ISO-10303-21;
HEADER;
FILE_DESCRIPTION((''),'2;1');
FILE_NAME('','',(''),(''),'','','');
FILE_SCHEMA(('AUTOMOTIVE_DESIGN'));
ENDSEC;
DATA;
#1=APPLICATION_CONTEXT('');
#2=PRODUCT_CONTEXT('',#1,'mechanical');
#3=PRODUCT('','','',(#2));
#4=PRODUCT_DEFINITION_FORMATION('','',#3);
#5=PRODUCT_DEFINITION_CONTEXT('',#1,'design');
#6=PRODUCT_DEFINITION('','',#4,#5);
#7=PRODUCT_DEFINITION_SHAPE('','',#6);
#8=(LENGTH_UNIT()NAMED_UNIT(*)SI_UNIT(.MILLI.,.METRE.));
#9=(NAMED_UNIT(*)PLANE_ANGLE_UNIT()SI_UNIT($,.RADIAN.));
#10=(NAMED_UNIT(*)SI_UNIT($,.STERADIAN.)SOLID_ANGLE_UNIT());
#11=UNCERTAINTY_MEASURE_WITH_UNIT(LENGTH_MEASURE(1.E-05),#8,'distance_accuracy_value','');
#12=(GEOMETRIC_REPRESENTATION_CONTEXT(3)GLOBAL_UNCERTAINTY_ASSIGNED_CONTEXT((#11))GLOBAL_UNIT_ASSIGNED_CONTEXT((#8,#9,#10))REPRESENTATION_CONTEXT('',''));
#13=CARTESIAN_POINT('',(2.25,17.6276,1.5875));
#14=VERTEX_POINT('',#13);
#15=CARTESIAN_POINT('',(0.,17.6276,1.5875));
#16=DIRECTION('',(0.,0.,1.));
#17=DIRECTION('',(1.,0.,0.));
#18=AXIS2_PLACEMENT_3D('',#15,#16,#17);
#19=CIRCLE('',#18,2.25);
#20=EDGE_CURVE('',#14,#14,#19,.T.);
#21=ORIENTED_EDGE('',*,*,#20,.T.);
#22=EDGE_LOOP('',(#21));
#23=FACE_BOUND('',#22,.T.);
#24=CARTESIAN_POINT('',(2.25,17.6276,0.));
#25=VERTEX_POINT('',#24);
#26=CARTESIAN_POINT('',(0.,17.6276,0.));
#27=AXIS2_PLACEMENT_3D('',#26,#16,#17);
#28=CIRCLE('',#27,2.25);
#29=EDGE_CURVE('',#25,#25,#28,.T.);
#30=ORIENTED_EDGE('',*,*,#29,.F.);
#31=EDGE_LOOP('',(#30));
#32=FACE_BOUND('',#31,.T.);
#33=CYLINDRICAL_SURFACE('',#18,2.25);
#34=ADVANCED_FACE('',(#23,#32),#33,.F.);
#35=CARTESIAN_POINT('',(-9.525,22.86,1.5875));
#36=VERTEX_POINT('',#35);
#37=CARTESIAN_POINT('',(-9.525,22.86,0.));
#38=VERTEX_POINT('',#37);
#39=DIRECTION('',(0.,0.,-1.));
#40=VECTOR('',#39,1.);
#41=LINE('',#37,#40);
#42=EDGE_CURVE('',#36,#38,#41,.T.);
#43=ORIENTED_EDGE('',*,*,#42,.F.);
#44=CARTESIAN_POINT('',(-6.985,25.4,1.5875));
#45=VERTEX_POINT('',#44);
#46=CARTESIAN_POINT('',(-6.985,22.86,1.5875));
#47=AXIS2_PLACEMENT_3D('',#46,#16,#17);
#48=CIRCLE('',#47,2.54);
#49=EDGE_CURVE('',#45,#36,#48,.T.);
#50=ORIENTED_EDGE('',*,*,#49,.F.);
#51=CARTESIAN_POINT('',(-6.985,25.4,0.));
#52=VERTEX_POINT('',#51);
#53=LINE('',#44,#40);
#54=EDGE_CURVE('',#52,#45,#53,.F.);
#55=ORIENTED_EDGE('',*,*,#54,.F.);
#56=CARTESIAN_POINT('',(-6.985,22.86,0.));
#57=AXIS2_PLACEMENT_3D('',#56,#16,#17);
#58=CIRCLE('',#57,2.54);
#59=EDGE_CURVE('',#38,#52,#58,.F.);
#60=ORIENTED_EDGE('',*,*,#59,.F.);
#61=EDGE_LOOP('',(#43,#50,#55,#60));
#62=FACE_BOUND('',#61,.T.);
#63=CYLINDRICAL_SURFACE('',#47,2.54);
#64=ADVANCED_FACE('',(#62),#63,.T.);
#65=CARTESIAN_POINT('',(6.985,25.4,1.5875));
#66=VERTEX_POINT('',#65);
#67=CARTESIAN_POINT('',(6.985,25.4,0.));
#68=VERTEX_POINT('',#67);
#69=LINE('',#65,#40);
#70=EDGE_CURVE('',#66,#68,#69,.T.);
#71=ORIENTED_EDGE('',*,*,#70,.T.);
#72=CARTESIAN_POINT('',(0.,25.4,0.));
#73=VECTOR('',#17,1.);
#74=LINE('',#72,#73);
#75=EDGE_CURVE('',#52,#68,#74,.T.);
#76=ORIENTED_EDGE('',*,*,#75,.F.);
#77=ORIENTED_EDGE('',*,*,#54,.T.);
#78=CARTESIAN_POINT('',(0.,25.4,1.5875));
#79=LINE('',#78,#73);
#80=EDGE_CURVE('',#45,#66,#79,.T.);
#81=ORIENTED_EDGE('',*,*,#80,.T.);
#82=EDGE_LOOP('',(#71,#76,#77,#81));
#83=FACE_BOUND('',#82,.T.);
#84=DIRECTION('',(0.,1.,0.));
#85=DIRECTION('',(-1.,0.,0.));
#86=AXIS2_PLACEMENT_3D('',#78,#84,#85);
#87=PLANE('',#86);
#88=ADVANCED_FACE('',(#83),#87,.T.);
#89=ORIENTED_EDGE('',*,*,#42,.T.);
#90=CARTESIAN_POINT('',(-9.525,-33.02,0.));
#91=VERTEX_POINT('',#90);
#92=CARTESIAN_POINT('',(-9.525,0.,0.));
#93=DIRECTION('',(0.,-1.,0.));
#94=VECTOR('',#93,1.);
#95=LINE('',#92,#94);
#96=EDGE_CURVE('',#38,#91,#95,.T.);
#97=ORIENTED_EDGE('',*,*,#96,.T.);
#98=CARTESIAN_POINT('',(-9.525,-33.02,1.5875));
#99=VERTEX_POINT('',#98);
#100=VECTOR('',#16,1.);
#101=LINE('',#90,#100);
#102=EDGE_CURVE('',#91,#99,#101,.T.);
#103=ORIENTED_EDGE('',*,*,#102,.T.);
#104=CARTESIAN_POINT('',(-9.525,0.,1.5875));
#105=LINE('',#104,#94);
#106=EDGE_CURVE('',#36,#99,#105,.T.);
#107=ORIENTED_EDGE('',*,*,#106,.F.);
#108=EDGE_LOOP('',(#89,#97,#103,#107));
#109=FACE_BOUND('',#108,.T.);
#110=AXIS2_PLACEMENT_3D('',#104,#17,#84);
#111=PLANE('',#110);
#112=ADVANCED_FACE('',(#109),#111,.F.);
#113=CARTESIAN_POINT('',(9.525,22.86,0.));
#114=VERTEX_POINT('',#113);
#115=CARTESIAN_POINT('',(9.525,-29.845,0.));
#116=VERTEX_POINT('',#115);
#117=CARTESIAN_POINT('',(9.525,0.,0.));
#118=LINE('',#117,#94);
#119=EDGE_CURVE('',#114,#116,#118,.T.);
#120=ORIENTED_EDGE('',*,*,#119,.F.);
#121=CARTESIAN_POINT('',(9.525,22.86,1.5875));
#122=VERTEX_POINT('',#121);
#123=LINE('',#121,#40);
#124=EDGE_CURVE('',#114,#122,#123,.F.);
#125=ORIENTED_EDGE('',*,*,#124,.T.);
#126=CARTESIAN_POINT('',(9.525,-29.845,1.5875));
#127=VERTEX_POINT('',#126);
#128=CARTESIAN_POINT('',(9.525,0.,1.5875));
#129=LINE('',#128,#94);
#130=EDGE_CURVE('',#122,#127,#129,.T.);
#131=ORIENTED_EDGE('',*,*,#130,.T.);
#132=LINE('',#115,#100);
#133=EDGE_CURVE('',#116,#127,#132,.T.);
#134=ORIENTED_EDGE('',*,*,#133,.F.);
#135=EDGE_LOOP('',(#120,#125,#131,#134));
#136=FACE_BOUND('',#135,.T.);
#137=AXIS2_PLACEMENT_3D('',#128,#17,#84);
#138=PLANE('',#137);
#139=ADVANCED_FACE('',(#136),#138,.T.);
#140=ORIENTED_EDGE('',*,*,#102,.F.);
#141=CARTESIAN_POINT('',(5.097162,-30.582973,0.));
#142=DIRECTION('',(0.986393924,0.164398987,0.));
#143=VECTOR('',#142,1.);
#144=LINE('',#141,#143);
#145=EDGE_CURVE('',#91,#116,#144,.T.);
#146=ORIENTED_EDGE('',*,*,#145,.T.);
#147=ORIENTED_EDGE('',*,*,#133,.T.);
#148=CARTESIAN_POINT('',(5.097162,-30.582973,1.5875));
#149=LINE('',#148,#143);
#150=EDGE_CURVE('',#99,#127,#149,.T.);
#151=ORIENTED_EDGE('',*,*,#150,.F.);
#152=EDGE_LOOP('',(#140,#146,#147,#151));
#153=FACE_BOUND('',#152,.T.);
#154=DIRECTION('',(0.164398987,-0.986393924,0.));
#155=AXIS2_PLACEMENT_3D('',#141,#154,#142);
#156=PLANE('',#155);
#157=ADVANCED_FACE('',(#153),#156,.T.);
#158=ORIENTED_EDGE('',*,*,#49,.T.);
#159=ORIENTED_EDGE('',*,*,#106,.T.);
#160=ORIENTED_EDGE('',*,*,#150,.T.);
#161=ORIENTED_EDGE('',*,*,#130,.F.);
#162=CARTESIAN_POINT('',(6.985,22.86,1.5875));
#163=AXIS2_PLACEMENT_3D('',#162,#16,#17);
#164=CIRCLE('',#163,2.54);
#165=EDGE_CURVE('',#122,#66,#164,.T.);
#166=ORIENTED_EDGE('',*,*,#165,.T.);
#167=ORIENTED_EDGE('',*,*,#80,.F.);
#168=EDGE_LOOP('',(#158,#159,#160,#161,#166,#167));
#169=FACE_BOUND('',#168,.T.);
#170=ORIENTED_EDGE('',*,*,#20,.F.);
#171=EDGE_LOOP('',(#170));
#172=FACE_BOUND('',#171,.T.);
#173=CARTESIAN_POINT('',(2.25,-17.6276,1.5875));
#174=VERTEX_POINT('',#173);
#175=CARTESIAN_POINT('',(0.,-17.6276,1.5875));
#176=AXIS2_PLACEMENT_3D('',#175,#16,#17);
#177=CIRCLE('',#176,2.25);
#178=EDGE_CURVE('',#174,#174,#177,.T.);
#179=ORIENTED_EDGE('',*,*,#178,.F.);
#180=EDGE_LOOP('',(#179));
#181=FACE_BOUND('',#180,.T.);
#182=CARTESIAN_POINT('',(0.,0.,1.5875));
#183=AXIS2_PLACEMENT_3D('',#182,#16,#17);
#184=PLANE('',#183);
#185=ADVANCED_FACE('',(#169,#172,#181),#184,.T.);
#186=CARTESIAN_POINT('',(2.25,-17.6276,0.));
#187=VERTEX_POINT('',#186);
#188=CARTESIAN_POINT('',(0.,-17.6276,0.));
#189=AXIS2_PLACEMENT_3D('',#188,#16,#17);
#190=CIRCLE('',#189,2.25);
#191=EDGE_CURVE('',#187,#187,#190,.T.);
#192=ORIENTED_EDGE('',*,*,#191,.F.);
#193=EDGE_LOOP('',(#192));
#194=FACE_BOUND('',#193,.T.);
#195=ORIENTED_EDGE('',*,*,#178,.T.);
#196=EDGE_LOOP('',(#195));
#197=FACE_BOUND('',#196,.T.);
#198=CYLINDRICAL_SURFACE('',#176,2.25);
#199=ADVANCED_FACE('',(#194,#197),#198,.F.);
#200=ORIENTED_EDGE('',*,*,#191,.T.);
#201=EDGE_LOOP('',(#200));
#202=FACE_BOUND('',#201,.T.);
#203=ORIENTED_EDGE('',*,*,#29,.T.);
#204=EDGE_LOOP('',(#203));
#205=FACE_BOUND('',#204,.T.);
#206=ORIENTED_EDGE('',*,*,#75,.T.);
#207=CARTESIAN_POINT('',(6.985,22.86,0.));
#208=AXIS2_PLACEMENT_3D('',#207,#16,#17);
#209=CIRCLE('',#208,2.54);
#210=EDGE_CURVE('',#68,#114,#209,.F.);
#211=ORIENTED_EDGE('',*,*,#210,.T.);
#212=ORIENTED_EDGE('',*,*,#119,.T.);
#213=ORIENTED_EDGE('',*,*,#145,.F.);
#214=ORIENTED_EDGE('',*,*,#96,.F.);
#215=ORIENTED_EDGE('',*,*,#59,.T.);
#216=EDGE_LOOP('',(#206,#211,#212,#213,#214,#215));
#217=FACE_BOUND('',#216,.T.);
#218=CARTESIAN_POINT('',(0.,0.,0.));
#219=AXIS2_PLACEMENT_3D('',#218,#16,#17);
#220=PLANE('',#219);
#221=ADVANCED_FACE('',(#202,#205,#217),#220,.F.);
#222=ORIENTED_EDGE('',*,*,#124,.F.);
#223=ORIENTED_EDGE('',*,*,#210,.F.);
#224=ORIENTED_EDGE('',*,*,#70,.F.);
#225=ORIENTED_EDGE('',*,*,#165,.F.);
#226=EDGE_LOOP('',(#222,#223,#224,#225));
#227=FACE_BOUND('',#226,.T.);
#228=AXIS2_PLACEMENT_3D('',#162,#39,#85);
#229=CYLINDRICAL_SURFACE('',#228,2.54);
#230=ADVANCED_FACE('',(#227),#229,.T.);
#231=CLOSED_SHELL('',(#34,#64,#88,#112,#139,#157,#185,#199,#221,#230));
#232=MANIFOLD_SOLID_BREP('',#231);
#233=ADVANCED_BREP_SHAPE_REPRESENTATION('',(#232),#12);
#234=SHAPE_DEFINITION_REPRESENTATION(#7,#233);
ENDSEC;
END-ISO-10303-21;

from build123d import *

# Parameters (mm, degrees)
SKETCH1_W               = 19.05
SKETCH1_H               = 50.8
BOSS_EXTRUDE1_DEPTH     = 1.5875
M4_CLEARANCE_HOLE1_D    = 4.5
SKETCH4_W               = 19.05
SKETCH4_H               = 7.62
BOSS_EXTRUDE2_DEPTH     = 1.5875
FILLET1_R               = 2.54
CUT_EXTRUDE1_DEPTH      = 35.40299669
CUT_EXTRUDE1_DEPTH_BACK = 35.40299669


with BuildPart() as part:
    # Sketch1 → Boss-Extrude1 (new body)
    with BuildSketch(Plane.XY):
        Rectangle(SKETCH1_W, SKETCH1_H)
    extrude(amount=BOSS_EXTRUDE1_DEPTH)

    # M4 Clearance Hole1 (through all)
    with Locations(Plane.XY.offset(1.5875)):
        with Locations((0, 17.6276), (0, -17.6276)):
            Hole(M4_CLEARANCE_HOLE1_D / 2)

    # Sketch4 → Boss-Extrude2 (add)
    with BuildSketch(Plane.XY.offset(1.5875)):
        with Locations((0, -29.21)):
            Rectangle(SKETCH4_W, SKETCH4_H)
    extrude(amount=-BOSS_EXTRUDE2_DEPTH)

    # Fillet1
    fillet1_edges = [part.edges().sort_by_distance(p)[0] for p in [
        (-9.525, 25.4, 0.79375),
        (9.525, 25.4, 0.79375),
    ]]
    fillet(fillet1_edges, radius=FILLET1_R)

    # Sketch5 → Cut-Extrude1 (cut, two sides: drawn at the far end of the back side and taken through both)
    with BuildSketch(Plane.XY.offset(1.5875).offset(-CUT_EXTRUDE1_DEPTH_BACK)):
        Polygon((9.525, -29.845), (-9.525, -33.02), (9.525, -33.02), align=None)
    extrude(amount=CUT_EXTRUDE1_DEPTH + CUT_EXTRUDE1_DEPTH_BACK, mode=Mode.SUBTRACT)


solid = part.part
